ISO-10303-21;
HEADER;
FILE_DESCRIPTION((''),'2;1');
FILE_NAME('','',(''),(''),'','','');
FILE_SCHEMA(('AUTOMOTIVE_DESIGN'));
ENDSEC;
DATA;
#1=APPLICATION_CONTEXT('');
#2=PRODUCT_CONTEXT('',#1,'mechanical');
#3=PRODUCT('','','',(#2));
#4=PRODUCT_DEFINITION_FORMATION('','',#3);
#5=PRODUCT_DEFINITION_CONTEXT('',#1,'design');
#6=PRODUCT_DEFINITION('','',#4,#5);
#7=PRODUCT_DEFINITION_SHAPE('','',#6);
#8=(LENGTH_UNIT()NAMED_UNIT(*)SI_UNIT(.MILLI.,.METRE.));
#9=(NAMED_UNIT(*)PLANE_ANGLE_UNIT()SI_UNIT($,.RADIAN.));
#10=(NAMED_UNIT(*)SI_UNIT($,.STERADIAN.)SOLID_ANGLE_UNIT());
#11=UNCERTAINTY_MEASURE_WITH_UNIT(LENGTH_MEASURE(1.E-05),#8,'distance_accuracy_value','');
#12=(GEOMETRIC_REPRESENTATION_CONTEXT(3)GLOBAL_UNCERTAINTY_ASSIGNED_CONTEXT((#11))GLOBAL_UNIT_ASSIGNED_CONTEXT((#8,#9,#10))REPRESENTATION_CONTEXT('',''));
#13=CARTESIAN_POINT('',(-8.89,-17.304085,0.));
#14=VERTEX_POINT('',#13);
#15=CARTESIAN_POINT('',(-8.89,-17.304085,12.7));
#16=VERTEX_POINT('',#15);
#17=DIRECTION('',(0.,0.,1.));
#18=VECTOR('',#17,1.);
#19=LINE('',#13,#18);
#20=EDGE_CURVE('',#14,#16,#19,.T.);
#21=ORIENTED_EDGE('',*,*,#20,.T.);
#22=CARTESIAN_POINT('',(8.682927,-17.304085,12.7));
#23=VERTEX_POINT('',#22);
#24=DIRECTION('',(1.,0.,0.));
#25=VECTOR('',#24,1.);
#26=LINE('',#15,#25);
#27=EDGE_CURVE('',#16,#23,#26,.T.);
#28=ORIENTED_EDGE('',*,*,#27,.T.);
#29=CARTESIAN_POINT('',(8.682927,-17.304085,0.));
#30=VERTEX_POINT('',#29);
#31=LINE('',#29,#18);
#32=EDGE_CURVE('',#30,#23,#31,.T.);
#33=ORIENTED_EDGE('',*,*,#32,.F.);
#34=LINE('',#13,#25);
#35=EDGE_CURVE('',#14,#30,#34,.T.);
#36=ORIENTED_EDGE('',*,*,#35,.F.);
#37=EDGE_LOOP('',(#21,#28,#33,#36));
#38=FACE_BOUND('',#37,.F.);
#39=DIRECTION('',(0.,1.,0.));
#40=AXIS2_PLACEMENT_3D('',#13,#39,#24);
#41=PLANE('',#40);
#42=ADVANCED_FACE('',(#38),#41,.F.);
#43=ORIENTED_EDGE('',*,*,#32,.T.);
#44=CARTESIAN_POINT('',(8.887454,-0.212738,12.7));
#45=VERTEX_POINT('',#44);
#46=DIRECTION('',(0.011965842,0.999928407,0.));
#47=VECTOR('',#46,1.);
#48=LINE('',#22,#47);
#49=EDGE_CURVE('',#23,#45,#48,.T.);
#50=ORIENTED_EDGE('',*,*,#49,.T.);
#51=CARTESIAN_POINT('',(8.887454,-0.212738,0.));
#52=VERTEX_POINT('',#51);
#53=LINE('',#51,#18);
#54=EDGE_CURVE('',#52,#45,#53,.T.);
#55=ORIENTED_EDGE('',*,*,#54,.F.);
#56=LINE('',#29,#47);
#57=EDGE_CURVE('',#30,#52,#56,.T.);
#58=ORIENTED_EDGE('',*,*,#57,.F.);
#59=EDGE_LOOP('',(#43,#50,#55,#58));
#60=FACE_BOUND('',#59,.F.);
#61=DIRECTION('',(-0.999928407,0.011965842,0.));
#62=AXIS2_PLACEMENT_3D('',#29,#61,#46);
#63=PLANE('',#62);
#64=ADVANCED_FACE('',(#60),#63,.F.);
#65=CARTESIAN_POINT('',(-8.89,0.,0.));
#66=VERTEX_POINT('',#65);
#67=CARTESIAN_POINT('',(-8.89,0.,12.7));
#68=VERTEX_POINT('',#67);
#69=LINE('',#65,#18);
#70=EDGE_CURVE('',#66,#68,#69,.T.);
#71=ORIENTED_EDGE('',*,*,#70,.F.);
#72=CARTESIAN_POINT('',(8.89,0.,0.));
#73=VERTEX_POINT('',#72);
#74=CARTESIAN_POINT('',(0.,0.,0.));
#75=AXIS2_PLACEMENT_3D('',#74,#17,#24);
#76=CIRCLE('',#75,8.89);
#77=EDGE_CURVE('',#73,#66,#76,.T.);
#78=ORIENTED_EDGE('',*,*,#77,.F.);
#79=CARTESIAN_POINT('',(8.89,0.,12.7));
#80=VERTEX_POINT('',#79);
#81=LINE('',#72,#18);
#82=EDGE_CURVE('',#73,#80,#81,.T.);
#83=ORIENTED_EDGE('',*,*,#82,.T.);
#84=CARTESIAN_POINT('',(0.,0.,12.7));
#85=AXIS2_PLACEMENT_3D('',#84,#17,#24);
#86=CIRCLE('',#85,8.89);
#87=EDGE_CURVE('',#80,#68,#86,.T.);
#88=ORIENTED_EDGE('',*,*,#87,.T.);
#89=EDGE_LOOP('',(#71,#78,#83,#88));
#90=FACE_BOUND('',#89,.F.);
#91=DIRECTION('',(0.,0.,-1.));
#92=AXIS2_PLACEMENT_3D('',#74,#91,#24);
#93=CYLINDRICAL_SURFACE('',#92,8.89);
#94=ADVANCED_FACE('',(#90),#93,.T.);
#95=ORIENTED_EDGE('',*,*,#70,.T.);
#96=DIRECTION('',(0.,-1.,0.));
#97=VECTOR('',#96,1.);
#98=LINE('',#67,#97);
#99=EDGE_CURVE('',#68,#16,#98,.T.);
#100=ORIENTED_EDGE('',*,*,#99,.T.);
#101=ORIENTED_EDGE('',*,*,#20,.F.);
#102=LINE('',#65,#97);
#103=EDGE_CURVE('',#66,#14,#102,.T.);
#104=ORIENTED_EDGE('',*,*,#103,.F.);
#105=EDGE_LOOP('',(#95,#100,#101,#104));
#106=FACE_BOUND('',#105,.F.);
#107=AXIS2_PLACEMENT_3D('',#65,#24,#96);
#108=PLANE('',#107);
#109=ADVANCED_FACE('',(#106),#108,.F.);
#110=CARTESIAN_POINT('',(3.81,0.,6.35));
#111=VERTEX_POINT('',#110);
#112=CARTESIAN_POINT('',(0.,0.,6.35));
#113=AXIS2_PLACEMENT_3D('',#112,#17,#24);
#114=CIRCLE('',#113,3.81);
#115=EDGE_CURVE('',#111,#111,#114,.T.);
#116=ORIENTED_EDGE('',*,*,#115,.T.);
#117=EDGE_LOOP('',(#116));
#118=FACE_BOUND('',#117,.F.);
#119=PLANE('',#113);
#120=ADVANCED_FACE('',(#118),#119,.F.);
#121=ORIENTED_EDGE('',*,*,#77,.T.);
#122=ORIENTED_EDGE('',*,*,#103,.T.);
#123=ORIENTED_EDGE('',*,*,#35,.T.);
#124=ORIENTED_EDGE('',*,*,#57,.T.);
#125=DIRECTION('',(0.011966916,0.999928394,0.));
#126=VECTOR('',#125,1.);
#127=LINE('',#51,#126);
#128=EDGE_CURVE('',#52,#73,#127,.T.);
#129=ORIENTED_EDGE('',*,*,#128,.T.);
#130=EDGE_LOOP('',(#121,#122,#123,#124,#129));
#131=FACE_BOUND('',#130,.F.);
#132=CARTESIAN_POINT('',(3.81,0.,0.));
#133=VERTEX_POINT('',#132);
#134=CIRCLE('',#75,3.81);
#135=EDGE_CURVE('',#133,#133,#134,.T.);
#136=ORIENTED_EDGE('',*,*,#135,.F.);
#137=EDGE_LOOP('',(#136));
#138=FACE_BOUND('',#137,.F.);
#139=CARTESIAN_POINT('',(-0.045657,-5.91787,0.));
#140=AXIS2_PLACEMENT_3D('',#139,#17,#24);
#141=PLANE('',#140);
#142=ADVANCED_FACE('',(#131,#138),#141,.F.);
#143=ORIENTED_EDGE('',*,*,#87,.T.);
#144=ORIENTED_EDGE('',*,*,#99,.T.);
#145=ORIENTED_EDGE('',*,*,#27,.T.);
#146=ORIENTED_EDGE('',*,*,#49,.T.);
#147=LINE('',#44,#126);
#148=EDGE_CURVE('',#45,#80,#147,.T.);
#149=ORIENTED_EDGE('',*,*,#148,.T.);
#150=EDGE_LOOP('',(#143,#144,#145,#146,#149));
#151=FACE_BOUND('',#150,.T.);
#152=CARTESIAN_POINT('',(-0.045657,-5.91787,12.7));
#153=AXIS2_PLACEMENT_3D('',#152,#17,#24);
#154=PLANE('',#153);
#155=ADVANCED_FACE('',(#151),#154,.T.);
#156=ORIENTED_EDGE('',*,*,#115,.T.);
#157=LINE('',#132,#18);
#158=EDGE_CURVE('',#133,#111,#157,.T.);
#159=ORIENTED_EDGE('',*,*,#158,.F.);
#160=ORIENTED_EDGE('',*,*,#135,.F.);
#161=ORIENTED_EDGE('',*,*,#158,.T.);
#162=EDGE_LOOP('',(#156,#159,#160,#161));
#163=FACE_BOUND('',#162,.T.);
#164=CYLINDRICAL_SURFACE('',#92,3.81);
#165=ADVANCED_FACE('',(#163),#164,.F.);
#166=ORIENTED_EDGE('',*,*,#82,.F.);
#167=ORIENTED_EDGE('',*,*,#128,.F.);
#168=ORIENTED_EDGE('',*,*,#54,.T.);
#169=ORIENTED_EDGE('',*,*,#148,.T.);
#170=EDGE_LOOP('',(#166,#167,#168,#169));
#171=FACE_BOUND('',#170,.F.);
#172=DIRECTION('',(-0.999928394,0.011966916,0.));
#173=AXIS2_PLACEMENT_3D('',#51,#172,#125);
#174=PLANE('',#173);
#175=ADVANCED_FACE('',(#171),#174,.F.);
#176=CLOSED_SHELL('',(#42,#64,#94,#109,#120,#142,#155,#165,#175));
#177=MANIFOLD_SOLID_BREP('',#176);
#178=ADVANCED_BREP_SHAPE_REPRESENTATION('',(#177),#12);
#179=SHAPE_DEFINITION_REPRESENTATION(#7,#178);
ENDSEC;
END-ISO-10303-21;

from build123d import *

# Parameters (mm, degrees)
F0_R     = 3.81
F1_DEPTH = 12.7
F2_DEPTH = 6.35


with BuildPart() as f1:
    # F0 (on Top) → F1 (new body)
    with BuildSketch(Plane.XY):
        with BuildLine():
            Line((8.682927, -17.304085), (8.887454, -0.212738))
            Line((8.887454, -0.212738), (8.89, 0))
            ThreePointArc((8.89, 0), (0, 8.89), (-8.89, 0))
            Line((-8.89, 0), (-8.89, -17.304085))
            Line((-8.89, -17.304085), (8.682927, -17.304085))
        make_face()
        Circle(F0_R, mode=Mode.SUBTRACT)
        Circle(F0_R)
    extrude(amount=F1_DEPTH)

    # F0 (on Top) → F2 (cut)
    with BuildSketch(Plane.XY):
        Circle(F0_R)
    extrude(amount=F2_DEPTH, mode=Mode.SUBTRACT)


solid = f1.part
